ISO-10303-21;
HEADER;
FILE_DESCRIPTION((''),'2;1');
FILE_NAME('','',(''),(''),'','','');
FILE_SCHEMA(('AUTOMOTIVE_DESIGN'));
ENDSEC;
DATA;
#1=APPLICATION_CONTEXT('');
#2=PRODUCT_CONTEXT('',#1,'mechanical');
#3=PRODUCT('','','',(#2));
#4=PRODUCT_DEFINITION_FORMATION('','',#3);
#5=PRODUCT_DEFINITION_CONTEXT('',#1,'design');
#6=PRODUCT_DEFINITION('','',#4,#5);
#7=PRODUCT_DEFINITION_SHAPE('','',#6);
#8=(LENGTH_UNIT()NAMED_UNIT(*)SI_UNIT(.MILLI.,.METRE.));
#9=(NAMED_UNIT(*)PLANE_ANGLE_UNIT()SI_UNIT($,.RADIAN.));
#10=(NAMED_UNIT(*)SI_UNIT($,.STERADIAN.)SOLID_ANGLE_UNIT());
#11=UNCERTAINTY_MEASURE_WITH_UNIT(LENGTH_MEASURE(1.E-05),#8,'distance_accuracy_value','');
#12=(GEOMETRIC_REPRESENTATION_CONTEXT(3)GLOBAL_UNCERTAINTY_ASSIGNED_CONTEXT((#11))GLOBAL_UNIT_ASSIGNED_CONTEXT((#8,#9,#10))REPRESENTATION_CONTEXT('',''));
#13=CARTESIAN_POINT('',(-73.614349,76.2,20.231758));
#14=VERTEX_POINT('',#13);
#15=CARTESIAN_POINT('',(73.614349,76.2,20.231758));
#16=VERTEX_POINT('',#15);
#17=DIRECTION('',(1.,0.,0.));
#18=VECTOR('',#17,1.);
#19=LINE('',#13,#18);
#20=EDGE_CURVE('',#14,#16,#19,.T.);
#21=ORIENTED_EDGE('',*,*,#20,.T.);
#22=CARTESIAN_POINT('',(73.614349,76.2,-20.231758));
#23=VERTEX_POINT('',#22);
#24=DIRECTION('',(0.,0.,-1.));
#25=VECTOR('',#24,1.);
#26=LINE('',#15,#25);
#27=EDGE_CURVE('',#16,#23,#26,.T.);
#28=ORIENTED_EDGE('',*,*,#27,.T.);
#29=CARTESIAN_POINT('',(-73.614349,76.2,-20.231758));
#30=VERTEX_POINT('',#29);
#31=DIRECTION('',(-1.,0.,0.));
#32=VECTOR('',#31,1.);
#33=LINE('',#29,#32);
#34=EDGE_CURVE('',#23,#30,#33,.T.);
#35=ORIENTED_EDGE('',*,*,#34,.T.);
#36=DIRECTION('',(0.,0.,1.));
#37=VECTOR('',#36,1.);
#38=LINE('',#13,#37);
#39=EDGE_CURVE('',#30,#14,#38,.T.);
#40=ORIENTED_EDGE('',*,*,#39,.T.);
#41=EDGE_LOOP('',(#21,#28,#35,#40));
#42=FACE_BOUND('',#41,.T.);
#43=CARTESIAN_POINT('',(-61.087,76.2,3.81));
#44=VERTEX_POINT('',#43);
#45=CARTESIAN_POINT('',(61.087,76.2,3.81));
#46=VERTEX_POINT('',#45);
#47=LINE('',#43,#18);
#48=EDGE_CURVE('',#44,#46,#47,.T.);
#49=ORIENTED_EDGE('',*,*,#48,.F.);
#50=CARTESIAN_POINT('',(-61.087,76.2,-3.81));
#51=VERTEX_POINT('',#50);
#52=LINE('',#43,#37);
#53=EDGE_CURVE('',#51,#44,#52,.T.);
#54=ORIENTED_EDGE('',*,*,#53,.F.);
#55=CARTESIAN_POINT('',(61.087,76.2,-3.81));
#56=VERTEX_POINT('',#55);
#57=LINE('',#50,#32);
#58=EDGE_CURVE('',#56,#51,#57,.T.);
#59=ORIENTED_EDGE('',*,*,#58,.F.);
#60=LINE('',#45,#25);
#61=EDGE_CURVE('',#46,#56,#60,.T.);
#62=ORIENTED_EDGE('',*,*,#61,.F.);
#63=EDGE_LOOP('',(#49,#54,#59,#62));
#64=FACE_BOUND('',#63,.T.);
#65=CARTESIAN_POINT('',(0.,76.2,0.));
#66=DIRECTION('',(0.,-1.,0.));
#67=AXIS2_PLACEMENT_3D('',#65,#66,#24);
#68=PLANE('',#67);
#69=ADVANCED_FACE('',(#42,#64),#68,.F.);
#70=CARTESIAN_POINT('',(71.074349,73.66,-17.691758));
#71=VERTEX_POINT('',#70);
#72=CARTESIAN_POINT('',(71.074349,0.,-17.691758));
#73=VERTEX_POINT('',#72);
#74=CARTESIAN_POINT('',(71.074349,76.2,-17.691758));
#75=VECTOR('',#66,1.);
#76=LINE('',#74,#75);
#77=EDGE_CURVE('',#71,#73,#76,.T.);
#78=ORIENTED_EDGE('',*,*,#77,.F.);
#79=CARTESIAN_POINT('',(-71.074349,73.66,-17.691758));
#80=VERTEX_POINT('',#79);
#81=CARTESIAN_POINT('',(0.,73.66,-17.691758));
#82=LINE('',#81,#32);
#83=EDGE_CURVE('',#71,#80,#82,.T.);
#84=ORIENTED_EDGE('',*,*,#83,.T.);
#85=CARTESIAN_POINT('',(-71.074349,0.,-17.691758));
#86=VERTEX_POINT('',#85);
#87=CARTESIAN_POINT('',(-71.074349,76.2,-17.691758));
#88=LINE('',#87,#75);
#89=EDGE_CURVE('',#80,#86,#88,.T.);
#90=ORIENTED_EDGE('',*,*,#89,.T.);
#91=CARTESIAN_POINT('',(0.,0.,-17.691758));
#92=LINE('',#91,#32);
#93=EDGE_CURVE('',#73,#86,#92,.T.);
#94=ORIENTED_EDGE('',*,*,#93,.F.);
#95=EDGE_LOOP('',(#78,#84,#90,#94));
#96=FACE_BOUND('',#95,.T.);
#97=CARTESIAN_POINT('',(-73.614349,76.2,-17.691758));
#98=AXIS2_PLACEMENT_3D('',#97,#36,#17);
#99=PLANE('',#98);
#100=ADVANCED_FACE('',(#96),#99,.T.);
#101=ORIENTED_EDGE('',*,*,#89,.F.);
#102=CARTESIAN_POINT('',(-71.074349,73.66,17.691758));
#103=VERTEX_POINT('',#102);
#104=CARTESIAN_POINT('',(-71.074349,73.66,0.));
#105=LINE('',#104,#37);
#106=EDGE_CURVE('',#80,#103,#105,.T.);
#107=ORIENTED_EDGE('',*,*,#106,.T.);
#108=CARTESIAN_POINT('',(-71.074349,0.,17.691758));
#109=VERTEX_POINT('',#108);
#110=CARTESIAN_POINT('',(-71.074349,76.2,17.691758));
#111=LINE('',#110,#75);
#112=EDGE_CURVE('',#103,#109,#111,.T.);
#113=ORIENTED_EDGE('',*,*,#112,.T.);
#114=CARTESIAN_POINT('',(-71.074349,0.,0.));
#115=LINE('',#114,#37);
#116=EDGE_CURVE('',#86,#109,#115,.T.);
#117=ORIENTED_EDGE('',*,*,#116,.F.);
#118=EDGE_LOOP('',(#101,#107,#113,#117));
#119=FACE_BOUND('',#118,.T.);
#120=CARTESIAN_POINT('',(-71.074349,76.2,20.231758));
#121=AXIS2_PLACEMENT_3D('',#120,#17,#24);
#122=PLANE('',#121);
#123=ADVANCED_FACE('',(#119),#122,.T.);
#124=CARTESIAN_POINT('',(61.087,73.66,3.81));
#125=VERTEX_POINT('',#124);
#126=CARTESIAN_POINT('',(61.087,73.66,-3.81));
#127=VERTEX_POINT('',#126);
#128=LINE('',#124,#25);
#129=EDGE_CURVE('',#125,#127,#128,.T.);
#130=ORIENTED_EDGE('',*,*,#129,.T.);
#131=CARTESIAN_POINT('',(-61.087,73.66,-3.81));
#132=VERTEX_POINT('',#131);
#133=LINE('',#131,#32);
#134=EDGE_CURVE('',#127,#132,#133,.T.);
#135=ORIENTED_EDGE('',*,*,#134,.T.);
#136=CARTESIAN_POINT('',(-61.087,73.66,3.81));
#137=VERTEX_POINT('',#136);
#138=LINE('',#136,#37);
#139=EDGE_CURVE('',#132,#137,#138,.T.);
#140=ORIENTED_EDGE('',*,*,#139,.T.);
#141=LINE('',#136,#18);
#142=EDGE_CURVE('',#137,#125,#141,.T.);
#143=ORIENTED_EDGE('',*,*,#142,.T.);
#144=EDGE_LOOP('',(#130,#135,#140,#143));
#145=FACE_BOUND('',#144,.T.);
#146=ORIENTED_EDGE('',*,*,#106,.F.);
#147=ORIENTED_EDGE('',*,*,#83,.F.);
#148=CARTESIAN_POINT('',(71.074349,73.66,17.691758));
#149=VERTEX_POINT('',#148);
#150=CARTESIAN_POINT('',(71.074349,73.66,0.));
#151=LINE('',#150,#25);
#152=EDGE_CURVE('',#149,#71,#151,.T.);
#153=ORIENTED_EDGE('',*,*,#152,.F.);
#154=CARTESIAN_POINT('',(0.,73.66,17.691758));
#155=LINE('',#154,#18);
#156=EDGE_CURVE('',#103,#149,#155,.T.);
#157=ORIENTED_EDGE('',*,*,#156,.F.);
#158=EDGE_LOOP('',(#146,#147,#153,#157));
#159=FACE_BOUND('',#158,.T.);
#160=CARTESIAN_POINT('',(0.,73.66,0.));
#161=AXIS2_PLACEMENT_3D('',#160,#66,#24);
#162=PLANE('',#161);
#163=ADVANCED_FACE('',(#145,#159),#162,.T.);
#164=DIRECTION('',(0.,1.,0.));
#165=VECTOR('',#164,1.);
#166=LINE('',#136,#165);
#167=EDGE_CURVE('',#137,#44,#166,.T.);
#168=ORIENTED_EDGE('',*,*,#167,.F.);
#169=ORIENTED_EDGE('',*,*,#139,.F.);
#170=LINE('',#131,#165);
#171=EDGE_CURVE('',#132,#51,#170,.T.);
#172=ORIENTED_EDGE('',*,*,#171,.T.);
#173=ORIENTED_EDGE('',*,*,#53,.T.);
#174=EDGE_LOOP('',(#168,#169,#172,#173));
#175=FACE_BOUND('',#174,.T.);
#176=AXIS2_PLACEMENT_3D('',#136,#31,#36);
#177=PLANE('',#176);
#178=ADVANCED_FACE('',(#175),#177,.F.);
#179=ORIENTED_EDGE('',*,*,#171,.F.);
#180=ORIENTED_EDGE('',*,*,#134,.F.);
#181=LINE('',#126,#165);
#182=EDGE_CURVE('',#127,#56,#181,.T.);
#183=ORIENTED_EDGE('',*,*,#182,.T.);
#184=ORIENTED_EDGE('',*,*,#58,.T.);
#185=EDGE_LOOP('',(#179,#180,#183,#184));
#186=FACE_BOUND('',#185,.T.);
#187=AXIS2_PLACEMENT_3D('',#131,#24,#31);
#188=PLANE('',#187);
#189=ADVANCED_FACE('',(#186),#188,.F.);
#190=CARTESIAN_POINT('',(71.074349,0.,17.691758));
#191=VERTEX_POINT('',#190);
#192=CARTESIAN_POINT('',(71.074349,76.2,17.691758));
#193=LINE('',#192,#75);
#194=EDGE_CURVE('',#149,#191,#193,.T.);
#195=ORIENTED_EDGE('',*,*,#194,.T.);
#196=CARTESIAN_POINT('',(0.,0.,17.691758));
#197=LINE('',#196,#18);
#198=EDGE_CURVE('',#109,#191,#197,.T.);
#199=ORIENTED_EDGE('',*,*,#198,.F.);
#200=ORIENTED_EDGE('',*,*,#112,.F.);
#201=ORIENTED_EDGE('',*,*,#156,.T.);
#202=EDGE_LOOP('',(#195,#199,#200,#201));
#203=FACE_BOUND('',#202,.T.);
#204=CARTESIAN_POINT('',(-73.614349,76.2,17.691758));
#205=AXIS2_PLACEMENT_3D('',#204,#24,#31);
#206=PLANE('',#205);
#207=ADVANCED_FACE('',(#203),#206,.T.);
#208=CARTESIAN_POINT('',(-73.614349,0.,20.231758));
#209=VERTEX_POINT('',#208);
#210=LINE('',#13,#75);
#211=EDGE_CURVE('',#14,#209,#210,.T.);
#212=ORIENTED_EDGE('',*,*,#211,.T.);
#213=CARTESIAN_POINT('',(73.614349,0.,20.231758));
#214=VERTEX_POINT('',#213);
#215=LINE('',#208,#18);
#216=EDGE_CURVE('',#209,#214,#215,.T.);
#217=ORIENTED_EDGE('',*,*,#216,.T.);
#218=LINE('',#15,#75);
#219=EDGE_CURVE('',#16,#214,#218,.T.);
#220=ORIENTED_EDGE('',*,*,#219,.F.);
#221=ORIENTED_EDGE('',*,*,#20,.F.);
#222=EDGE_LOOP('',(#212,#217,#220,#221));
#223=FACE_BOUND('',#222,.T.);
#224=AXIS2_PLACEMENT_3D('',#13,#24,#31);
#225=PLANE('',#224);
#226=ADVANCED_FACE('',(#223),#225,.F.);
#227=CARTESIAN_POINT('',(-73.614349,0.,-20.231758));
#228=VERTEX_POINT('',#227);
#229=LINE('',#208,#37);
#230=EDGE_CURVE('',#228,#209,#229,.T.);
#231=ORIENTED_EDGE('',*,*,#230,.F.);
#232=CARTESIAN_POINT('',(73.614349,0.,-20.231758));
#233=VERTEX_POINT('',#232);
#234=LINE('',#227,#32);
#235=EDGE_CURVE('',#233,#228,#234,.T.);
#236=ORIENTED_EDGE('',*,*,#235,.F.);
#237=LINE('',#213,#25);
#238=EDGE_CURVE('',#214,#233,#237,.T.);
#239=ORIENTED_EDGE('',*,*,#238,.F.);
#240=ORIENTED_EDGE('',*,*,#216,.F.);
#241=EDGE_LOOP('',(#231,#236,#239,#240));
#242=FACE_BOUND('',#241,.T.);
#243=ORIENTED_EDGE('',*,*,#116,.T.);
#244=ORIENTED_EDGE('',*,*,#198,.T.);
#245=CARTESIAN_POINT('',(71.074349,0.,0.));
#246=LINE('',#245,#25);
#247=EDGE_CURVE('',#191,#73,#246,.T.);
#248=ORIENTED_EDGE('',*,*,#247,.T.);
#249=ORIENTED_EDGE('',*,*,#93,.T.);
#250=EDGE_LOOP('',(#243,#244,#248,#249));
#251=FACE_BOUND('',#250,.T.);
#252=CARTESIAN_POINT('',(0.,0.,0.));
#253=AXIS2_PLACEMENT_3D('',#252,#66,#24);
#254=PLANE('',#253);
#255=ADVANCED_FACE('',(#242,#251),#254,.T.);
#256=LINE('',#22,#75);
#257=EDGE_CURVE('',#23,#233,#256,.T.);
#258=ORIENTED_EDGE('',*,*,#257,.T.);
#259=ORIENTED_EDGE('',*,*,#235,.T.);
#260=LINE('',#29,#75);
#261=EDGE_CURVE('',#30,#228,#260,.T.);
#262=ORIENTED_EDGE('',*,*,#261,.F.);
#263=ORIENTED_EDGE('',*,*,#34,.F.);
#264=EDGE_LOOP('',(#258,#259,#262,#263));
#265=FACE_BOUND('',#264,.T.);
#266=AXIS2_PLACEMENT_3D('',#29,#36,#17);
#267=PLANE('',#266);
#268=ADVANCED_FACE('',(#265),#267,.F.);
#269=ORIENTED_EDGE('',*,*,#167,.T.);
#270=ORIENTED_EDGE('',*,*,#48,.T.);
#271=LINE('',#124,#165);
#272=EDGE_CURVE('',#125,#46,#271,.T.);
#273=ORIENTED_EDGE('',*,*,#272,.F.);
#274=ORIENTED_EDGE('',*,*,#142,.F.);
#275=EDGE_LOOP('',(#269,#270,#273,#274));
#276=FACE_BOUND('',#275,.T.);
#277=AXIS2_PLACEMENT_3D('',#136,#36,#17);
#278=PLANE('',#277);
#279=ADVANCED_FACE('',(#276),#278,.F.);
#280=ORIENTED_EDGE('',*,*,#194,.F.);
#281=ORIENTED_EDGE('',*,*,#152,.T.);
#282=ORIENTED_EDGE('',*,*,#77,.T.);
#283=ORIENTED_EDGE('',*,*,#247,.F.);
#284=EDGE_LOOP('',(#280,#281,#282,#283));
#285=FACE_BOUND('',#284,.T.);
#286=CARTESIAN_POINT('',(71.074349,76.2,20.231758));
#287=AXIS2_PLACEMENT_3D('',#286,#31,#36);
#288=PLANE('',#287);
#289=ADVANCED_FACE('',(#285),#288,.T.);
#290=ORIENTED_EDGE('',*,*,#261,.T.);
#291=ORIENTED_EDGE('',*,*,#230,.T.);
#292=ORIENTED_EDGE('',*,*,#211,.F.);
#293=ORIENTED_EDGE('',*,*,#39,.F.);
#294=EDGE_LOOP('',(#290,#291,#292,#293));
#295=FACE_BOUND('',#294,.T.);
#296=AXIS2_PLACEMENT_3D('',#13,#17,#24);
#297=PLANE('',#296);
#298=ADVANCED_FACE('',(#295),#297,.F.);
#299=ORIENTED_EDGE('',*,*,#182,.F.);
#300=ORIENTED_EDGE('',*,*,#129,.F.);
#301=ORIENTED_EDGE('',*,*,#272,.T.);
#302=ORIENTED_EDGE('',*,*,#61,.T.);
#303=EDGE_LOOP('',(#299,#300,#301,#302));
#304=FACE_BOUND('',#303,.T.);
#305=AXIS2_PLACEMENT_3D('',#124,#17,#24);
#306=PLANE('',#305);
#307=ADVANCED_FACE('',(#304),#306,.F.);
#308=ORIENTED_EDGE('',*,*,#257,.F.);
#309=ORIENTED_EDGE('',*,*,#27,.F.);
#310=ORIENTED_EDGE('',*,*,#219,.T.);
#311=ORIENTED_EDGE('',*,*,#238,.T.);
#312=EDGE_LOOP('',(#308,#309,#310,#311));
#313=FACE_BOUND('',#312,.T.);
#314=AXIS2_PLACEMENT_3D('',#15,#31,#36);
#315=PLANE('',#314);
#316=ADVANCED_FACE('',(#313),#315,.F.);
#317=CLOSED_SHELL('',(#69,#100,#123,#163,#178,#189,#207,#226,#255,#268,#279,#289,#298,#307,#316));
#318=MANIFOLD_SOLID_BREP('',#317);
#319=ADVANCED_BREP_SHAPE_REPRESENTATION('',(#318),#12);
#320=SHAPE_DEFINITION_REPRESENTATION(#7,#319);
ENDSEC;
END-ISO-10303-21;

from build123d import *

# Parameters (mm, degrees)
SKETCH1_W           = 147.22869713
SKETCH1_H           = 40.463516098
BOSS_EXTRUDE1_DEPTH = 76.2
SHELL1_T            = -2.54
SKETCH2_W           = 122.174
SKETCH2_H           = 7.62
CUT_EXTRUDE1_DEPTH  = 2.54


with BuildPart() as part:
    # Sketch1 → Boss-Extrude1 (new body)
    with BuildSketch(Plane(origin=(0, 0, 0), x_dir=(1, 0, 0), z_dir=(0, 1, 0))):
        Rectangle(SKETCH1_W, SKETCH1_H)
    extrude(amount=BOSS_EXTRUDE1_DEPTH)

    # Shell1
    shell1_openings = [part.faces().sort_by_distance(p)[0] for p in [
        (0, 0, 0),
    ]]
    offset(amount=SHELL1_T, openings=shell1_openings, kind=Kind.INTERSECTION)

    # Sketch2 → Cut-Extrude1 (cut)
    with BuildSketch(Plane(origin=(0, 76.2, 0), x_dir=(1, 0, 0), z_dir=(0, 1, 0))):
        Rectangle(SKETCH2_W, SKETCH2_H)
    extrude(amount=-CUT_EXTRUDE1_DEPTH, mode=Mode.SUBTRACT)


solid = part.part
